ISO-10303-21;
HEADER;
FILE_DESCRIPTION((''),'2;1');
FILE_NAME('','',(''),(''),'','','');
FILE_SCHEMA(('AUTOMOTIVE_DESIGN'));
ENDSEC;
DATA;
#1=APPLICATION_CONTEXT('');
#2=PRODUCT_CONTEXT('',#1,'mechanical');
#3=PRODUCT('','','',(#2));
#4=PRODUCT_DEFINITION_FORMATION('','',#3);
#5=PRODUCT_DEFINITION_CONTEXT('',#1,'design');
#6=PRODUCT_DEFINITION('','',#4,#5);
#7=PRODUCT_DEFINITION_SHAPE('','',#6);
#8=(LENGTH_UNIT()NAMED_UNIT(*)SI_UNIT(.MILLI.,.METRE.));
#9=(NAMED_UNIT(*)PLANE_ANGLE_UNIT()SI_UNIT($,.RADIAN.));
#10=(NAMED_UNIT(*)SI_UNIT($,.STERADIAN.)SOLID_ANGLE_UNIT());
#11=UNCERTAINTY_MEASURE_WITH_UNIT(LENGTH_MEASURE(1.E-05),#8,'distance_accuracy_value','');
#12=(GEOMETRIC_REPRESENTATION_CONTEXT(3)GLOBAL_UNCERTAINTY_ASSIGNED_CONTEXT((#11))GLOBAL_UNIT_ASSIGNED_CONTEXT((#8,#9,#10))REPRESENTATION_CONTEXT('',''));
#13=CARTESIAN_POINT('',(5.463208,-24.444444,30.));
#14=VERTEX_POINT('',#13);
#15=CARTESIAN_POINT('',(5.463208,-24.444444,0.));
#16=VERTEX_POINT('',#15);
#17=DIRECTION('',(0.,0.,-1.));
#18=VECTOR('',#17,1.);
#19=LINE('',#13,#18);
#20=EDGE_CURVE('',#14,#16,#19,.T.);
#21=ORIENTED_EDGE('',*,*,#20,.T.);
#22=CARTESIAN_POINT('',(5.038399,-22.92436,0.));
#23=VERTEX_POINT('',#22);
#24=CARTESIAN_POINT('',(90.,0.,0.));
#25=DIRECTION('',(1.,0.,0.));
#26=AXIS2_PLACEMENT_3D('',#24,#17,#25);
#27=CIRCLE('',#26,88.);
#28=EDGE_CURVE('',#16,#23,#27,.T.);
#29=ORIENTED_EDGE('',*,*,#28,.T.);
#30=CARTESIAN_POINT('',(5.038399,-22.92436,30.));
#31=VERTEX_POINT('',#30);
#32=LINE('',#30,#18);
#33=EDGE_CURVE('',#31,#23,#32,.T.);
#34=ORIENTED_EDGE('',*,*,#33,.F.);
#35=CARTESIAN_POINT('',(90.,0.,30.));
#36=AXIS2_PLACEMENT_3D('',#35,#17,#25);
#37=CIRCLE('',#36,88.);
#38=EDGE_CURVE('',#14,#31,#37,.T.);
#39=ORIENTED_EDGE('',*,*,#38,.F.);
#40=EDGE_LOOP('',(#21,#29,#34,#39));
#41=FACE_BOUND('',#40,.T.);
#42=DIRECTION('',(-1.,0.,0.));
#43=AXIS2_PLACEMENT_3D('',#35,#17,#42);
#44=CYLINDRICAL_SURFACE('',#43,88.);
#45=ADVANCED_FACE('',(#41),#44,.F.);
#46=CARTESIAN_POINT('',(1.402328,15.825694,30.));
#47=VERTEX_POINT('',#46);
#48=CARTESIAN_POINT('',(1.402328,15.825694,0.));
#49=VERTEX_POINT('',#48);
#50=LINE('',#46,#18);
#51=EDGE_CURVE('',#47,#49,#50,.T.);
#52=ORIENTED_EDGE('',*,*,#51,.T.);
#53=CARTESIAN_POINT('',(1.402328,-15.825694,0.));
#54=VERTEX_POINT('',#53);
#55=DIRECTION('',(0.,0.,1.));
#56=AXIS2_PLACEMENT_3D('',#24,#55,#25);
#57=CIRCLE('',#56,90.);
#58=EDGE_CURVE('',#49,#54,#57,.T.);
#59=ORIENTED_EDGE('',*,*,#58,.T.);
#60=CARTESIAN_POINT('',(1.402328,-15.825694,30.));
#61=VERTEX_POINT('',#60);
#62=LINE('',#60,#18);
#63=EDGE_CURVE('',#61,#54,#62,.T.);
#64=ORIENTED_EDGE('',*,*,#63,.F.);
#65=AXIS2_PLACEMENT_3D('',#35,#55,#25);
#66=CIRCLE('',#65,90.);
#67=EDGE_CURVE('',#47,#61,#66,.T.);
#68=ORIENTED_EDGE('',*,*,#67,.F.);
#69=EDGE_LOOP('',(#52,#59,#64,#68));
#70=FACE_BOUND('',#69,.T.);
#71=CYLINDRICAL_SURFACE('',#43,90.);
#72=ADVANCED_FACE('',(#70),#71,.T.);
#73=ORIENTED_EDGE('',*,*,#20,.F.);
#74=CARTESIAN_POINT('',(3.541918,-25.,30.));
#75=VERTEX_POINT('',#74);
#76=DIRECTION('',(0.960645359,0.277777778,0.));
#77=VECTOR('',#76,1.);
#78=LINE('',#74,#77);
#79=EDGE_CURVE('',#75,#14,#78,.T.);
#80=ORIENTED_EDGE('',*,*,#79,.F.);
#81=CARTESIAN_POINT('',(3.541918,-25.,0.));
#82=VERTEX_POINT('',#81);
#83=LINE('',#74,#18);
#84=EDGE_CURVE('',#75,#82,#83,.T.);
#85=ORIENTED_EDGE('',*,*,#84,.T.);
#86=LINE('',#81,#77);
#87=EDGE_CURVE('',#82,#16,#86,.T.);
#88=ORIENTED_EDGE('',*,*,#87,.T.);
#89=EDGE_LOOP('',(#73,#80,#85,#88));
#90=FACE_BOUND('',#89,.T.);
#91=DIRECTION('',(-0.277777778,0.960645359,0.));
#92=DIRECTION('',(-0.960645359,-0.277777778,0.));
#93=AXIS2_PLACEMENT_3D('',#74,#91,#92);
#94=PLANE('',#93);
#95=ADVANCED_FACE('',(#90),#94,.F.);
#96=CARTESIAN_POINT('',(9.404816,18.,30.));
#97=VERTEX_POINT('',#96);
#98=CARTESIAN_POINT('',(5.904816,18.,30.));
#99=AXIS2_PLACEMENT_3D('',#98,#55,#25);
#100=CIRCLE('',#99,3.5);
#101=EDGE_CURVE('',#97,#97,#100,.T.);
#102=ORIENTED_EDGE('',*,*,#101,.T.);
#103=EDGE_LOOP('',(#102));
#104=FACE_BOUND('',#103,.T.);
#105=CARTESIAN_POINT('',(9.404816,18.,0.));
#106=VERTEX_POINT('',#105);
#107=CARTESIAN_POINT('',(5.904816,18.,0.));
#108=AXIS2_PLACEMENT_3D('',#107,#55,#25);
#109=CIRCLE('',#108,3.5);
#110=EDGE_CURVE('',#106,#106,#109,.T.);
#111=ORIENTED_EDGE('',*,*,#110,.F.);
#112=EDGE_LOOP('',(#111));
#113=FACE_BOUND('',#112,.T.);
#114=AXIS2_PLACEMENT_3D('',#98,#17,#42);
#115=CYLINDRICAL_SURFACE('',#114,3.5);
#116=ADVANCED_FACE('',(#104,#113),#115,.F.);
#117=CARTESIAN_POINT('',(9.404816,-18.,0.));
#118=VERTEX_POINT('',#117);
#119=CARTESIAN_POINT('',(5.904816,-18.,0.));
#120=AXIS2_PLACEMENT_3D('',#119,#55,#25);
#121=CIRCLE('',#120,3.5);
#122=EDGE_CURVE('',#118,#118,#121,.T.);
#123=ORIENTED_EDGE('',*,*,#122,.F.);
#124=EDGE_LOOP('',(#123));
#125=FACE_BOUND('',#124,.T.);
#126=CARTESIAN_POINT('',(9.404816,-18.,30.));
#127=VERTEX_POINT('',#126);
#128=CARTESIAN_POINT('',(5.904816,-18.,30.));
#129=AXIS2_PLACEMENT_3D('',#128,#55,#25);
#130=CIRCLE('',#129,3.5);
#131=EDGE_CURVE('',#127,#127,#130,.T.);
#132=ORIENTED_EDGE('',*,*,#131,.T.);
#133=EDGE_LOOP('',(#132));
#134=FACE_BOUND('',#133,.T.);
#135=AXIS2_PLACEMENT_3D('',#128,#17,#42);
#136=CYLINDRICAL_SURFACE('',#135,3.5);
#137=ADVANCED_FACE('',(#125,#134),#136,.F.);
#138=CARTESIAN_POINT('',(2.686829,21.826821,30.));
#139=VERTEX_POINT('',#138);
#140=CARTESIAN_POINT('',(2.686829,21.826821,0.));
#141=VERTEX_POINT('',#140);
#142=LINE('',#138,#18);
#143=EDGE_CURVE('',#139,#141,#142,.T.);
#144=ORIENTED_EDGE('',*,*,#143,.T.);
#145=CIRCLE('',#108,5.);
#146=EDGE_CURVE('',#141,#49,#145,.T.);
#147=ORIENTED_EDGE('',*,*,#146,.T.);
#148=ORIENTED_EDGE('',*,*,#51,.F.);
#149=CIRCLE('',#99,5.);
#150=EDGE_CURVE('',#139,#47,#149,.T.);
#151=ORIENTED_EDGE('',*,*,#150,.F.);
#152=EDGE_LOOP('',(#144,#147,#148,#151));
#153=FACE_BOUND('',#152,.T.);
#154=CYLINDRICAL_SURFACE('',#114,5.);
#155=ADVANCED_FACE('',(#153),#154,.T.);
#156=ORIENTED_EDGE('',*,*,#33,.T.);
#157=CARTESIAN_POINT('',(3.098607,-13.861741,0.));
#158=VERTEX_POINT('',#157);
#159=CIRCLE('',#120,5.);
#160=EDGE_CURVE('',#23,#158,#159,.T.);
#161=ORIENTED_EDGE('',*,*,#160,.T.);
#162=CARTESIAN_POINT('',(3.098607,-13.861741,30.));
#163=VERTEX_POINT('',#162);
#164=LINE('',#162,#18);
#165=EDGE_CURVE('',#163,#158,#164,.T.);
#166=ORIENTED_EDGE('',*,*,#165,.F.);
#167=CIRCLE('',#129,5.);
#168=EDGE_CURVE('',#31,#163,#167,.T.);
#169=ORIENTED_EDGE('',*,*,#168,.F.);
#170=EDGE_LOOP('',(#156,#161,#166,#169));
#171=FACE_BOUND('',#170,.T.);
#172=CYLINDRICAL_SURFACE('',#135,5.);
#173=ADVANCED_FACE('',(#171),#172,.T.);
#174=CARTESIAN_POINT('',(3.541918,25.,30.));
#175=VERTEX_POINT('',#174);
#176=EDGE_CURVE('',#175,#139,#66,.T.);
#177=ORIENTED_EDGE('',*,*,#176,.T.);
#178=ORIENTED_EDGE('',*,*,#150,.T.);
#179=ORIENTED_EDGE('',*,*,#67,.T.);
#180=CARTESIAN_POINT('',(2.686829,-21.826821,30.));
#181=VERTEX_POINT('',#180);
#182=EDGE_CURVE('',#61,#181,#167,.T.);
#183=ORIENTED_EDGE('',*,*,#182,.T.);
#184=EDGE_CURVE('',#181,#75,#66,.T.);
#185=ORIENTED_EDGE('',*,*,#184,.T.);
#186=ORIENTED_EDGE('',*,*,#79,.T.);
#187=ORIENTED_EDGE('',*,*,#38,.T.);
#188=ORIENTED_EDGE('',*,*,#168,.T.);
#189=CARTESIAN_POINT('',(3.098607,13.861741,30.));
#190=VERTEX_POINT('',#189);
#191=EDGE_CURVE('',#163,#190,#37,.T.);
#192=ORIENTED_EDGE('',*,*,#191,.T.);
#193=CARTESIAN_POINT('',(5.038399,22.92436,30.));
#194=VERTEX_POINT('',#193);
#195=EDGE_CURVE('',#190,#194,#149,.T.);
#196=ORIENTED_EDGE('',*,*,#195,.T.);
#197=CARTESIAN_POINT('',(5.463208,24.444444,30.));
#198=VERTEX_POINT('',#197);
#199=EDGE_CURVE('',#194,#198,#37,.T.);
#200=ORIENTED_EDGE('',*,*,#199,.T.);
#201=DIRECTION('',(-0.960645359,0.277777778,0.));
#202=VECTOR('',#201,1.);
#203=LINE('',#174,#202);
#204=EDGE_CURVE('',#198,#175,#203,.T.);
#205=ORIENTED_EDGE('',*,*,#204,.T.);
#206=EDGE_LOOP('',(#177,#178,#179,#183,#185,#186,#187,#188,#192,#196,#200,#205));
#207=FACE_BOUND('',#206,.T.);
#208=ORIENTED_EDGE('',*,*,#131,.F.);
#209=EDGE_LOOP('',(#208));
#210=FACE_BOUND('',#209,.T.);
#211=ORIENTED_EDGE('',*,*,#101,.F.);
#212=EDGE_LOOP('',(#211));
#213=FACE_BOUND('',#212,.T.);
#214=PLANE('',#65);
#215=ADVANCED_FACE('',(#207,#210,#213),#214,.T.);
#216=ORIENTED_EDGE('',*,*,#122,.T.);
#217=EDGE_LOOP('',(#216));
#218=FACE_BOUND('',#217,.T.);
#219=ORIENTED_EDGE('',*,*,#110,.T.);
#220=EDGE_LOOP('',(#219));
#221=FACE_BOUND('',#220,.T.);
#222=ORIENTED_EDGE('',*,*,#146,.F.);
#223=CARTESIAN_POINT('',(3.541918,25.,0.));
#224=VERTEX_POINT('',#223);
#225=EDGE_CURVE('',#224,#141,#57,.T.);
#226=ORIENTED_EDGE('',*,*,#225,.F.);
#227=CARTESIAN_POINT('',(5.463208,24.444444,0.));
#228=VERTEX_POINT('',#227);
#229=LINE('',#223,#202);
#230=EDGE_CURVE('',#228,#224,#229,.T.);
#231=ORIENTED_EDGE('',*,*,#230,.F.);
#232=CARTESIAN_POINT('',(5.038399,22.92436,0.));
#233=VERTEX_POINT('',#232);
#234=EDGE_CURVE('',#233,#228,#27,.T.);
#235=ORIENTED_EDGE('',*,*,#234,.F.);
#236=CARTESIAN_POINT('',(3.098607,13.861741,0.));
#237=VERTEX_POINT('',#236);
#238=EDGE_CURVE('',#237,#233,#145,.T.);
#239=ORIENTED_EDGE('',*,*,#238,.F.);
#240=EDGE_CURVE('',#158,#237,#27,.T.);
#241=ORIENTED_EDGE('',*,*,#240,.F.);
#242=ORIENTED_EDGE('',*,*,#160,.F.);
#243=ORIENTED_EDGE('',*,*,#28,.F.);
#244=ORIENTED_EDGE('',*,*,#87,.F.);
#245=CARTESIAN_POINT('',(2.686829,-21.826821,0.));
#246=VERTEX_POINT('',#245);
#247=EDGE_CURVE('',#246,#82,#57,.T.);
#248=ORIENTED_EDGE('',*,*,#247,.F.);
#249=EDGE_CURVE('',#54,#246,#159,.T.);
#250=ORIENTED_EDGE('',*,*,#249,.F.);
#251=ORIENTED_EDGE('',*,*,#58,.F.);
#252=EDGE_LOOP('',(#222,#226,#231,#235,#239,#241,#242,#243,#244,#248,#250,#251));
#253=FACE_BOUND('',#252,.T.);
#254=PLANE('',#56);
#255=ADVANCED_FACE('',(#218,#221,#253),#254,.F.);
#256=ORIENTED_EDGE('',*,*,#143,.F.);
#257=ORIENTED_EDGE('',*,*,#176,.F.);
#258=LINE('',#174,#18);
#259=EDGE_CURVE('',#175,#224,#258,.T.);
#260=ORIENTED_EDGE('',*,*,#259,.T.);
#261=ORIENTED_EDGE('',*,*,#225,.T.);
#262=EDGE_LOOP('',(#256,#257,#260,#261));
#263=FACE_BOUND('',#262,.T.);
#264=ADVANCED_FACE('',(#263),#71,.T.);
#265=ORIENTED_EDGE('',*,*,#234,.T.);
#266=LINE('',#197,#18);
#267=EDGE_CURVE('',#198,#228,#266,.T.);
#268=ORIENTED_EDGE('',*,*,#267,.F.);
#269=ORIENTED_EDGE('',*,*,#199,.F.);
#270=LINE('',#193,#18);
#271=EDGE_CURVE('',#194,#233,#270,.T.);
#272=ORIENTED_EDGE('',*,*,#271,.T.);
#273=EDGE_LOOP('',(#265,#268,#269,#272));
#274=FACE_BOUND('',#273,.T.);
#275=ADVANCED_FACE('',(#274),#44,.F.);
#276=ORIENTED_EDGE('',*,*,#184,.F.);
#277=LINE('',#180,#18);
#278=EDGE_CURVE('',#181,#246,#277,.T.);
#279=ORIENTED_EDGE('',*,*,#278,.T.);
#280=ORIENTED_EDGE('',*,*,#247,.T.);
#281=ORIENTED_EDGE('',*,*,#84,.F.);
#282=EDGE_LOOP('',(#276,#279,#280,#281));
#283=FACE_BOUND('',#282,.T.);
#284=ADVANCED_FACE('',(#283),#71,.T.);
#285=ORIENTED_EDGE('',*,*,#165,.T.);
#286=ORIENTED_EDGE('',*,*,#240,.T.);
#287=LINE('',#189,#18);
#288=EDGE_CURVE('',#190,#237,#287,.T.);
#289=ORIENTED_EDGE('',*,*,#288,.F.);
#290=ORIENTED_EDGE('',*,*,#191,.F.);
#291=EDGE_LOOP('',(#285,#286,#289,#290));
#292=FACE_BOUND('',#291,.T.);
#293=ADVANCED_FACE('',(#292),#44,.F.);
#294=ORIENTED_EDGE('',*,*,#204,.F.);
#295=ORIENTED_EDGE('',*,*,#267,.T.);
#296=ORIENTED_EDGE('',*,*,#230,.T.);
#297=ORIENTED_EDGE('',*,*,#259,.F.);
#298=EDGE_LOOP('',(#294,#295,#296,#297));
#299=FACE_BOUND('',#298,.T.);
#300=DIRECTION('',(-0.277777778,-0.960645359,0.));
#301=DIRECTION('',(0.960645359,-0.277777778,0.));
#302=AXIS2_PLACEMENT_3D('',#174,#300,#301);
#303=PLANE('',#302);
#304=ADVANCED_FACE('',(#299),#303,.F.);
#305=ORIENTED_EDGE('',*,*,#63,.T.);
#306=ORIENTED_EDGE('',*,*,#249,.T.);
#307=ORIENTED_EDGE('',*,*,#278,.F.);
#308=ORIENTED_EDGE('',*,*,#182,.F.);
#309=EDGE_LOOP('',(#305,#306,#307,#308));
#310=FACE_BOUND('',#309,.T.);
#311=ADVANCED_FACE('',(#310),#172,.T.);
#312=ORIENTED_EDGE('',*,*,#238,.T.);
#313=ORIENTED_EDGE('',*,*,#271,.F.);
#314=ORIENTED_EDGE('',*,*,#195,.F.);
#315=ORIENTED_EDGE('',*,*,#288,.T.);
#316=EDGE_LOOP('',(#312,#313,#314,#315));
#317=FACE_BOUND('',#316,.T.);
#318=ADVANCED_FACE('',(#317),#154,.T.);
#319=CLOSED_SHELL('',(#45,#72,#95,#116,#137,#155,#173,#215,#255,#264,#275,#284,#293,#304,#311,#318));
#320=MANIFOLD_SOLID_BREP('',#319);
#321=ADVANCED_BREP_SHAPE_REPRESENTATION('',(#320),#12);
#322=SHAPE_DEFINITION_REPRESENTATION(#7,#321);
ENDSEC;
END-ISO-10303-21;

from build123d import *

# Parameters (mm, degrees)
SKETCH1_R           = 3.5
BOSS_EXTRUDE1_DEPTH = 30


with BuildPart() as part:
    # Sketch1 → Boss-Extrude1 (new body)
    with BuildSketch(Plane.XY):
        with BuildLine():
            Line((3.541917671, 25), (5.463208389, 24.444444444))
            ThreePointArc((5.463208389, 24.444444444), (5.24739546, 23.685354625), (5.038398555, 22.924359969))
            ThreePointArc((5.038398555, 22.924359969), (10.794070727, 16.953488372), (3.098606761, 13.861740626))
            ThreePointArc((3.098606761, 13.861740626), (2, 0), (3.098606761, -13.861740626))
            ThreePointArc((3.098606761, -13.861740626), (10.794070727, -16.953488372), (5.038398555, -22.924359969))
            ThreePointArc((5.038398555, -22.924359969), (5.24739546, -23.685354625), (5.463208389, -24.444444444))
            Line((5.463208389, -24.444444444), (3.541917671, -25))
            ThreePointArc((3.541917671, -25), (3.099888289, -23.417313778), (2.686828675, -21.826820958))
            ThreePointArc((2.686828675, -21.826820958), (1.01556094, -19.046511628), (1.402328405, -15.825693915))
            ThreePointArc((1.402328405, -15.825693915), (0, 0), (1.402328405, 15.825693915))
            ThreePointArc((1.402328405, 15.825693915), (1.01556094, 19.046511628), (2.686828675, 21.826820958))
            ThreePointArc((2.686828675, 21.826820958), (3.099888289, 23.417313778), (3.541917671, 25))
        make_face()
        with Locations((5.904815833, 18)):
            Circle(SKETCH1_R, mode=Mode.SUBTRACT)
        with Locations((5.904815833, -18)):
            Circle(SKETCH1_R, mode=Mode.SUBTRACT)
    extrude(amount=BOSS_EXTRUDE1_DEPTH)


solid = part.part
